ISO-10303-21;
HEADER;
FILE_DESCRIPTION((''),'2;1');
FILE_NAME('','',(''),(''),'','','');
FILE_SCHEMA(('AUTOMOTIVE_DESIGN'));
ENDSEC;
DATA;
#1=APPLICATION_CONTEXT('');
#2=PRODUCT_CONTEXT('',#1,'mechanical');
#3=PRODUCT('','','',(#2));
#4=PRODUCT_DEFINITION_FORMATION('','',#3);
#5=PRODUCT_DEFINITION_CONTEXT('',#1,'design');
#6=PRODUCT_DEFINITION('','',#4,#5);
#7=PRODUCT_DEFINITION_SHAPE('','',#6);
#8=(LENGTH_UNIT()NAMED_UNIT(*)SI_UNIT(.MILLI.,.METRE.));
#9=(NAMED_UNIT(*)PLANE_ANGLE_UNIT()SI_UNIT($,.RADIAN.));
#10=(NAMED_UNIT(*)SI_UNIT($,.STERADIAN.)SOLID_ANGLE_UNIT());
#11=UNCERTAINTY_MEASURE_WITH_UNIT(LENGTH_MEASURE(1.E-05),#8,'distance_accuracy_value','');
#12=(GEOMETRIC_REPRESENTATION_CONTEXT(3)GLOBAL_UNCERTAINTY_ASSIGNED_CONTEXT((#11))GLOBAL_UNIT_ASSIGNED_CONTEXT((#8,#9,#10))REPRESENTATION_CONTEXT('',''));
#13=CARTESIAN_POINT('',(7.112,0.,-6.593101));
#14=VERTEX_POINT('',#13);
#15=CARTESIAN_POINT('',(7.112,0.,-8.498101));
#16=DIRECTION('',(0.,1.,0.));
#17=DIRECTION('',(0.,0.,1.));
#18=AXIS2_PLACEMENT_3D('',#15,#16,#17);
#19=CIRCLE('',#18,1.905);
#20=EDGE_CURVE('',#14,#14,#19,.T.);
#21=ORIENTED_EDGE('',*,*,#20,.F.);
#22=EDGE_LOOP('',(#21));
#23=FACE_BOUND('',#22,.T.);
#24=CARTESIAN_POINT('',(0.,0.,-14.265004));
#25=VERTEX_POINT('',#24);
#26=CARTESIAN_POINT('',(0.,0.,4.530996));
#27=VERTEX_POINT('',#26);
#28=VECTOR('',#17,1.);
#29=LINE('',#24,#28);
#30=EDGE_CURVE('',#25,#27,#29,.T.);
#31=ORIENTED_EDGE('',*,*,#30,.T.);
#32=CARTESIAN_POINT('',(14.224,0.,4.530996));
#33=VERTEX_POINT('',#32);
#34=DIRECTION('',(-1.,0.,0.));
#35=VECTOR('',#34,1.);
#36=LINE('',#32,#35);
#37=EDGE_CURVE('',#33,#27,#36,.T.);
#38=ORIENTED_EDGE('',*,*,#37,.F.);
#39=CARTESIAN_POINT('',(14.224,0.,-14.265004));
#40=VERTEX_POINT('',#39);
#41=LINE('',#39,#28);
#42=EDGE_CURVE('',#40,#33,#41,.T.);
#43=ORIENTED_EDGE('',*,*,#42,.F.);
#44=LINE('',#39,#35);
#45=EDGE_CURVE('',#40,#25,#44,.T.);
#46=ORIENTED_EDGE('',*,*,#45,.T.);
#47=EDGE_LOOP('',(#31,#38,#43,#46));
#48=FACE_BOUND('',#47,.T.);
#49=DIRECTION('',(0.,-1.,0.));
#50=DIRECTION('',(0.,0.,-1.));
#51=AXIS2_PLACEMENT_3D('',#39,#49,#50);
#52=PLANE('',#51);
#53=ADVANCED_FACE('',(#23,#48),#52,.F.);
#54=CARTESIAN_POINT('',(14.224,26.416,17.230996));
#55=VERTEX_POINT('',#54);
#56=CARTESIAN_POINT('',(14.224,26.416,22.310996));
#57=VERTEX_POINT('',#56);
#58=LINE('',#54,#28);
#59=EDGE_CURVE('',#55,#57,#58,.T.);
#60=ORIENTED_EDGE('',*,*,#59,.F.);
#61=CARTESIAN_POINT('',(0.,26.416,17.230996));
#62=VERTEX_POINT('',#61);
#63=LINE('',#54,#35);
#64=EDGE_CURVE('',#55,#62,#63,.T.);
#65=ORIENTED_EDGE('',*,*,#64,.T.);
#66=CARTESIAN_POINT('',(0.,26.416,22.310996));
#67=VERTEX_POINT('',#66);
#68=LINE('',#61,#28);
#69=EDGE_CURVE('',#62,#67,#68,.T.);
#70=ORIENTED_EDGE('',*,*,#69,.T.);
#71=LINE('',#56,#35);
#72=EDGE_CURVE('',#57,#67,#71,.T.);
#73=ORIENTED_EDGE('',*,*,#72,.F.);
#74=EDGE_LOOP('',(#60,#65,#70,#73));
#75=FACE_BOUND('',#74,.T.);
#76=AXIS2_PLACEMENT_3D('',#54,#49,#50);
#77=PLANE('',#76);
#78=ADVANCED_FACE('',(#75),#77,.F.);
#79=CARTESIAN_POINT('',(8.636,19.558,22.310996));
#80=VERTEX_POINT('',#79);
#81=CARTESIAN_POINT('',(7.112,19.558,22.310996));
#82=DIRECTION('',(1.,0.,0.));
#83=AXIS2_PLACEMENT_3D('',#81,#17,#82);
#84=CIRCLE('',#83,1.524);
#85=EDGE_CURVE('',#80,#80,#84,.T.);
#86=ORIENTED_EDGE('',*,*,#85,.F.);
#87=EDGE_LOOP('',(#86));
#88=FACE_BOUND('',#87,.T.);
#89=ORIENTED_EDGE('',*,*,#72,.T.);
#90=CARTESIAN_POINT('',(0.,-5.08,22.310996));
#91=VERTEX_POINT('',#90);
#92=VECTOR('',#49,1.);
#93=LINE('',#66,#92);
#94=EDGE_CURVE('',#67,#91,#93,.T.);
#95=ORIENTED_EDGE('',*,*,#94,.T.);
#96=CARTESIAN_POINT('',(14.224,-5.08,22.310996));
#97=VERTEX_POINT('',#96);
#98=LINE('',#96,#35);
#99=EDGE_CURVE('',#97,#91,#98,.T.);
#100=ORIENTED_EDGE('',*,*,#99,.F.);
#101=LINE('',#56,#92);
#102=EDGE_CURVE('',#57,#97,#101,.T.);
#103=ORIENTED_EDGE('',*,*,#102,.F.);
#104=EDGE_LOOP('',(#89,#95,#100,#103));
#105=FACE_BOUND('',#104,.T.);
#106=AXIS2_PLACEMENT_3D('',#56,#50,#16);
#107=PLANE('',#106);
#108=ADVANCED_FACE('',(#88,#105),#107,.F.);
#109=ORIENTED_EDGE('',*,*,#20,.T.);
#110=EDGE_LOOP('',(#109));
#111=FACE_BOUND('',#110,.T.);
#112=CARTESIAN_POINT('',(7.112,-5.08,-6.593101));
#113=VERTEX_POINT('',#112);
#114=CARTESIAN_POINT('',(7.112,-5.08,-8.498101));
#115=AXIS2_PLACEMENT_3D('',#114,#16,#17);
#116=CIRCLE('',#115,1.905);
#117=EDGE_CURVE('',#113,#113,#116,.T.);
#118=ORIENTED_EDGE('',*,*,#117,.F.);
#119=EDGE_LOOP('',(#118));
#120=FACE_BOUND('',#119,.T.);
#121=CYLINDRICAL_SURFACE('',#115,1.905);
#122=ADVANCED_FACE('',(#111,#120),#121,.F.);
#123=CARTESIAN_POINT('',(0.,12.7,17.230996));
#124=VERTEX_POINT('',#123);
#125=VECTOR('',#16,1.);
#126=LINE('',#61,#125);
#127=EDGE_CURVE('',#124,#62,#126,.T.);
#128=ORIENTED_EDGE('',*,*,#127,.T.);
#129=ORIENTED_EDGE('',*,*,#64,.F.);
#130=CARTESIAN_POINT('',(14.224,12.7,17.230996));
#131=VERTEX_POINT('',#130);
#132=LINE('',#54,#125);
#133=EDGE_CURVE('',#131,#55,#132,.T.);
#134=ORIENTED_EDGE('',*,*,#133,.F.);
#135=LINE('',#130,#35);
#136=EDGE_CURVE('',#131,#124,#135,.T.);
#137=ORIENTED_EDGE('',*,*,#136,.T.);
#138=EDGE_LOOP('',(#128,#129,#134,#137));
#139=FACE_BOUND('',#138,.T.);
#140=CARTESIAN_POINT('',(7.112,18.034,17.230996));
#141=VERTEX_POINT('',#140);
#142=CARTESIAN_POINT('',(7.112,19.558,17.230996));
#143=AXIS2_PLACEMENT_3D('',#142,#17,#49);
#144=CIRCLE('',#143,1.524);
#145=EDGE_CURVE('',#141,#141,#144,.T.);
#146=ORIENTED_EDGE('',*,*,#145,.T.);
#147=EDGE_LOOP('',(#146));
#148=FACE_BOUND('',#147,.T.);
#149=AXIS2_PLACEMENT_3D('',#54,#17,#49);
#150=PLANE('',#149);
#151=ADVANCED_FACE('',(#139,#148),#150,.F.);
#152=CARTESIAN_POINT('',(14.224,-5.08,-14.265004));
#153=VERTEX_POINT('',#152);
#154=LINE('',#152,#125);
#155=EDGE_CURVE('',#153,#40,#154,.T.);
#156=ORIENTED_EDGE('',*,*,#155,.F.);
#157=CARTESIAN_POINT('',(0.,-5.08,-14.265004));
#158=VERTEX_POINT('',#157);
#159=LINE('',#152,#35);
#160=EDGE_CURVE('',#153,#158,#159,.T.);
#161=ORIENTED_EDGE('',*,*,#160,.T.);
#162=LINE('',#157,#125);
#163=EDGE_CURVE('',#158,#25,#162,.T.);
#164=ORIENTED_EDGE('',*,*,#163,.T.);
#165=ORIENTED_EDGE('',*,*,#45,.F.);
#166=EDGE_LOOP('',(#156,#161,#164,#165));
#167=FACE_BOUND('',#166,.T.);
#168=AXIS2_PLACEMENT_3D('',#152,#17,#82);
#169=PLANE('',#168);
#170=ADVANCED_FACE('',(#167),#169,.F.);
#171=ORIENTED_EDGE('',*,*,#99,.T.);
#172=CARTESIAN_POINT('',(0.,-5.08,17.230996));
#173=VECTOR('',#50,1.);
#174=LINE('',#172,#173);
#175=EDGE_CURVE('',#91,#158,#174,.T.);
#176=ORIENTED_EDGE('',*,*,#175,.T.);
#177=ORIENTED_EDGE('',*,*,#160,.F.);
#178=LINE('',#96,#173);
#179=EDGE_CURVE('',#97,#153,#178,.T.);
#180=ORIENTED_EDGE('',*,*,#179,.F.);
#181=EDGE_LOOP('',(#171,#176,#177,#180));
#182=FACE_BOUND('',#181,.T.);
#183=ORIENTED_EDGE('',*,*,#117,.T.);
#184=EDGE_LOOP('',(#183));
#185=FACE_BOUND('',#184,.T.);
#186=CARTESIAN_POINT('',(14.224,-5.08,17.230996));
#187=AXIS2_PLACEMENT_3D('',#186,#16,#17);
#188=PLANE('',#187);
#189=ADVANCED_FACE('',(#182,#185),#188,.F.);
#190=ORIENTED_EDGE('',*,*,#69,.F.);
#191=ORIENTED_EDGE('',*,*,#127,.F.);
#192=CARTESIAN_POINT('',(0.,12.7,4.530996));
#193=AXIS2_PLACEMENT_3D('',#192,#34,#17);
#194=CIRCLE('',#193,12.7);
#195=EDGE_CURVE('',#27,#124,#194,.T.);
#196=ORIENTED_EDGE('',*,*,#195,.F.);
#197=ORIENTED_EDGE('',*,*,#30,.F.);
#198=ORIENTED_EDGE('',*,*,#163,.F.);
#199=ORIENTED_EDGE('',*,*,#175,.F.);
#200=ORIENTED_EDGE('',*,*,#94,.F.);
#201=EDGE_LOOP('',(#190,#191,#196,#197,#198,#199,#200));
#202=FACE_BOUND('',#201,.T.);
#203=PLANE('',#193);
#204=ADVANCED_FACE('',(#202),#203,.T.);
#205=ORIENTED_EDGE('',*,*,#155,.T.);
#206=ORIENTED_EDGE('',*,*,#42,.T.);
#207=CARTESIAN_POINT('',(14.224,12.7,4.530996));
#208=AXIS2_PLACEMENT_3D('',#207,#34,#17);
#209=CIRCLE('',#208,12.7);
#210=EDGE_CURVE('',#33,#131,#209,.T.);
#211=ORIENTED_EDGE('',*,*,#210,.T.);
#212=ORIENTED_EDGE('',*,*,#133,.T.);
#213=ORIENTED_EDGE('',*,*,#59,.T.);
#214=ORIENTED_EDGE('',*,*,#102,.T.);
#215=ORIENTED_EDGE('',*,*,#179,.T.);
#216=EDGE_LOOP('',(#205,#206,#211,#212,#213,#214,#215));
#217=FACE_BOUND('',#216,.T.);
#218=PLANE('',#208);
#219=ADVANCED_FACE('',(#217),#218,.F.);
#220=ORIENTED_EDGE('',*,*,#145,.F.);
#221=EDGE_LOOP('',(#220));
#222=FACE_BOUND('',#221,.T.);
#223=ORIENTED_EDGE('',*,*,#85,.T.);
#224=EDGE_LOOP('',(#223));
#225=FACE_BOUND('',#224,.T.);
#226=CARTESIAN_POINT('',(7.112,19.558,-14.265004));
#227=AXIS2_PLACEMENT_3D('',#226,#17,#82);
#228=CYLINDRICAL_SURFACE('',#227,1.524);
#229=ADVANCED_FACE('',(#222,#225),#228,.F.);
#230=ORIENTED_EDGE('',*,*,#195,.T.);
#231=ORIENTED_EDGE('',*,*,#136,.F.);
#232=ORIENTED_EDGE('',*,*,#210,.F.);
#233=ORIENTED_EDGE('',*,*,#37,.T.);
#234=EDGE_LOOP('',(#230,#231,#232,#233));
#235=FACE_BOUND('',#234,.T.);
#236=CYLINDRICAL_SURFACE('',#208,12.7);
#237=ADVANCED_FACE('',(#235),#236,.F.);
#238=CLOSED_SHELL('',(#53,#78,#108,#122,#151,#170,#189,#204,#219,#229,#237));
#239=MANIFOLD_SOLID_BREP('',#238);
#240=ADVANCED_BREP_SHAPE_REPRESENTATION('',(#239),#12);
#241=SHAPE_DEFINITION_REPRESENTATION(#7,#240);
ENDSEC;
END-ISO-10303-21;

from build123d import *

# Parameters (mm, degrees)
BOSS_EXTRUDE1_DEPTH = 14.224
SKETCH2_R           = 1.524
CUT_EXTRUDE1_DEPTH  = 48.306775498
SKETCH3_R           = 1.905
CUT_EXTRUDE2_DEPTH  = 38.388604586


with BuildPart() as part:
    # Sketch1 → Boss-Extrude1 (new body)
    with BuildSketch(Plane(origin=(0, 0, 0), x_dir=(0, 0, -1), z_dir=(1, 0, 0))):
        with BuildLine():
            Line((-17.230995516, 26.416), (-17.230995516, 12.7))
            ThreePointArc((-17.230995516, 12.7), (-13.511251637, 3.719743879), (-4.530995516, 0))
            Line((-4.530995516, 0), (14.265004484, 0))
            Line((14.265004484, 0), (14.265004484, -5.08))
            Line((14.265004484, -5.08), (-17.230995516, -5.08))
            Line((-17.230995516, -5.08), (-22.310995516, -5.08))
            Line((-22.310995516, -5.08), (-22.310995516, 26.416))
            Line((-22.310995516, 26.416), (-17.230995516, 26.416))
        make_face()
    extrude(amount=BOSS_EXTRUDE1_DEPTH)

    # Sketch2 → Cut-Extrude1 (cut, through all)
    with BuildSketch(Plane.XY.offset(22.310995516)):
        with Locations((7.112, 19.558)):
            Circle(SKETCH2_R)
    extrude(amount=-CUT_EXTRUDE1_DEPTH, mode=Mode.SUBTRACT)

    # Sketch3 → Cut-Extrude2 (cut, through all)
    with BuildSketch(Plane(origin=(0, 0, 0), x_dir=(1, 0, 0), z_dir=(0, 1, 0))):
        with Locations(Location((7.112, 8.49810052, 0), (0, 0, 270))):
            Circle(SKETCH3_R)
    extrude(amount=-CUT_EXTRUDE2_DEPTH, mode=Mode.SUBTRACT)


solid = part.part
